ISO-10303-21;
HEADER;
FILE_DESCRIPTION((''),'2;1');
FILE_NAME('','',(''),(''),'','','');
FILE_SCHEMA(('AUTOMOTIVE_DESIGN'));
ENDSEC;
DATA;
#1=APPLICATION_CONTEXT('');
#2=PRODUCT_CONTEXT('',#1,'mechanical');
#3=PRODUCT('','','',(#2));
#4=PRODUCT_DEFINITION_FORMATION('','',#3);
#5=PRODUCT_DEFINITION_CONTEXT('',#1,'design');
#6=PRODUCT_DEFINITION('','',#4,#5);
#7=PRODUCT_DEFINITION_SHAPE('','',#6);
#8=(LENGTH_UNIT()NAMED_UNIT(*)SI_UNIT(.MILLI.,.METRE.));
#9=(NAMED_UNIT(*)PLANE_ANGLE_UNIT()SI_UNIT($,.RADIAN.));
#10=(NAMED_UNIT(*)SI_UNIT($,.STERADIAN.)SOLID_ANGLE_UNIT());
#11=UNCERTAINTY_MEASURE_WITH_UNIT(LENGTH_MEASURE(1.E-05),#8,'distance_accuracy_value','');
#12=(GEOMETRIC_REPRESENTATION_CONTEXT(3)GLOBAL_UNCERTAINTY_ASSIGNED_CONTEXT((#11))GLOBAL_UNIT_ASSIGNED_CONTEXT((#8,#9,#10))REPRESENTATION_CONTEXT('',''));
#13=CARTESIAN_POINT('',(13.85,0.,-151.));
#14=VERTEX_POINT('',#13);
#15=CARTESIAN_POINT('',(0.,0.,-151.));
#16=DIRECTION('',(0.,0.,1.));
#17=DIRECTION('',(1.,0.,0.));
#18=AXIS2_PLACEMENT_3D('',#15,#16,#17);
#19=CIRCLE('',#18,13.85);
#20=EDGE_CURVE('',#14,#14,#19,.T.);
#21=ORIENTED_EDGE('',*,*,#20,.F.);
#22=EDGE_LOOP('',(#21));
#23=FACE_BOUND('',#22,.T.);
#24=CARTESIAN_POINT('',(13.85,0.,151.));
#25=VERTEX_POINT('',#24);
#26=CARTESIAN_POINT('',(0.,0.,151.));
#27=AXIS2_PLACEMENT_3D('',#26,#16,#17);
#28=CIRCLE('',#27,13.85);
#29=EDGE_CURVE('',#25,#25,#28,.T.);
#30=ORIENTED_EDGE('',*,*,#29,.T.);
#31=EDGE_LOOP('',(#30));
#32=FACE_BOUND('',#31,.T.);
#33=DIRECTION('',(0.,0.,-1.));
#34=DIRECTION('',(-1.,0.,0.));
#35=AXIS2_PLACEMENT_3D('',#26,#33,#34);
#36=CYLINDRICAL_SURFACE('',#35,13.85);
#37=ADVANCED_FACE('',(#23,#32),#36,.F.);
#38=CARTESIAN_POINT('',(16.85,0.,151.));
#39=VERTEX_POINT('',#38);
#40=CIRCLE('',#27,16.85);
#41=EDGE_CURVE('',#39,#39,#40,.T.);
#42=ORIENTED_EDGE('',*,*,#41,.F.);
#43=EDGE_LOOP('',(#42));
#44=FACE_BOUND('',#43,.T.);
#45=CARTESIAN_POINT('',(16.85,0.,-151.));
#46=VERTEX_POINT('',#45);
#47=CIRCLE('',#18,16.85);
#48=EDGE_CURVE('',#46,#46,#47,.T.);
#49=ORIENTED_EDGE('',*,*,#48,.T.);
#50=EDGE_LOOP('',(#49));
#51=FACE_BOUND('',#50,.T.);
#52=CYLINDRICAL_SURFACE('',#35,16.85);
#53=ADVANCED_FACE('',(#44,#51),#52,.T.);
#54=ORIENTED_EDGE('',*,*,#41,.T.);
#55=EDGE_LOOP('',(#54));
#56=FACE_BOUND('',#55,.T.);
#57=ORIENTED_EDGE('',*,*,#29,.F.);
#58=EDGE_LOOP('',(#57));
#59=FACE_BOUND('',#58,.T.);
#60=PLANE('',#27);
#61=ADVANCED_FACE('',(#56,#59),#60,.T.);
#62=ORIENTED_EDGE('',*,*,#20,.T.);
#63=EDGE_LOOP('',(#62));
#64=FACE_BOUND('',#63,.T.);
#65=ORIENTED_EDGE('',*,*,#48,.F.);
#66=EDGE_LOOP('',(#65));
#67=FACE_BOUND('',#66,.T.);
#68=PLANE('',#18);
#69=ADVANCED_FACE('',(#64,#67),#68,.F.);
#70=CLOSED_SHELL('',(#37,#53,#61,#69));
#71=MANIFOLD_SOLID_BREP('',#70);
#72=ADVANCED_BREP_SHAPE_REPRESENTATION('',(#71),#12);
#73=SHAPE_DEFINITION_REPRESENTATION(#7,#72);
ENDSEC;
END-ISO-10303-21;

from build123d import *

# Parameters (mm, degrees)
SKETCH_1_R      = 16.85
SKETCH_1_R_2    = 13.85
EXTRUDE_1_DEPTH = 151


with BuildPart() as part:
    # Эскиз1 → Бобышка-Вытянуть1 (new, symmetric)
    with BuildSketch(Plane.XY):
        Circle(SKETCH_1_R)
        Circle(SKETCH_1_R_2, mode=Mode.SUBTRACT)
    extrude(amount=EXTRUDE_1_DEPTH, both=True)


solid = part.part
